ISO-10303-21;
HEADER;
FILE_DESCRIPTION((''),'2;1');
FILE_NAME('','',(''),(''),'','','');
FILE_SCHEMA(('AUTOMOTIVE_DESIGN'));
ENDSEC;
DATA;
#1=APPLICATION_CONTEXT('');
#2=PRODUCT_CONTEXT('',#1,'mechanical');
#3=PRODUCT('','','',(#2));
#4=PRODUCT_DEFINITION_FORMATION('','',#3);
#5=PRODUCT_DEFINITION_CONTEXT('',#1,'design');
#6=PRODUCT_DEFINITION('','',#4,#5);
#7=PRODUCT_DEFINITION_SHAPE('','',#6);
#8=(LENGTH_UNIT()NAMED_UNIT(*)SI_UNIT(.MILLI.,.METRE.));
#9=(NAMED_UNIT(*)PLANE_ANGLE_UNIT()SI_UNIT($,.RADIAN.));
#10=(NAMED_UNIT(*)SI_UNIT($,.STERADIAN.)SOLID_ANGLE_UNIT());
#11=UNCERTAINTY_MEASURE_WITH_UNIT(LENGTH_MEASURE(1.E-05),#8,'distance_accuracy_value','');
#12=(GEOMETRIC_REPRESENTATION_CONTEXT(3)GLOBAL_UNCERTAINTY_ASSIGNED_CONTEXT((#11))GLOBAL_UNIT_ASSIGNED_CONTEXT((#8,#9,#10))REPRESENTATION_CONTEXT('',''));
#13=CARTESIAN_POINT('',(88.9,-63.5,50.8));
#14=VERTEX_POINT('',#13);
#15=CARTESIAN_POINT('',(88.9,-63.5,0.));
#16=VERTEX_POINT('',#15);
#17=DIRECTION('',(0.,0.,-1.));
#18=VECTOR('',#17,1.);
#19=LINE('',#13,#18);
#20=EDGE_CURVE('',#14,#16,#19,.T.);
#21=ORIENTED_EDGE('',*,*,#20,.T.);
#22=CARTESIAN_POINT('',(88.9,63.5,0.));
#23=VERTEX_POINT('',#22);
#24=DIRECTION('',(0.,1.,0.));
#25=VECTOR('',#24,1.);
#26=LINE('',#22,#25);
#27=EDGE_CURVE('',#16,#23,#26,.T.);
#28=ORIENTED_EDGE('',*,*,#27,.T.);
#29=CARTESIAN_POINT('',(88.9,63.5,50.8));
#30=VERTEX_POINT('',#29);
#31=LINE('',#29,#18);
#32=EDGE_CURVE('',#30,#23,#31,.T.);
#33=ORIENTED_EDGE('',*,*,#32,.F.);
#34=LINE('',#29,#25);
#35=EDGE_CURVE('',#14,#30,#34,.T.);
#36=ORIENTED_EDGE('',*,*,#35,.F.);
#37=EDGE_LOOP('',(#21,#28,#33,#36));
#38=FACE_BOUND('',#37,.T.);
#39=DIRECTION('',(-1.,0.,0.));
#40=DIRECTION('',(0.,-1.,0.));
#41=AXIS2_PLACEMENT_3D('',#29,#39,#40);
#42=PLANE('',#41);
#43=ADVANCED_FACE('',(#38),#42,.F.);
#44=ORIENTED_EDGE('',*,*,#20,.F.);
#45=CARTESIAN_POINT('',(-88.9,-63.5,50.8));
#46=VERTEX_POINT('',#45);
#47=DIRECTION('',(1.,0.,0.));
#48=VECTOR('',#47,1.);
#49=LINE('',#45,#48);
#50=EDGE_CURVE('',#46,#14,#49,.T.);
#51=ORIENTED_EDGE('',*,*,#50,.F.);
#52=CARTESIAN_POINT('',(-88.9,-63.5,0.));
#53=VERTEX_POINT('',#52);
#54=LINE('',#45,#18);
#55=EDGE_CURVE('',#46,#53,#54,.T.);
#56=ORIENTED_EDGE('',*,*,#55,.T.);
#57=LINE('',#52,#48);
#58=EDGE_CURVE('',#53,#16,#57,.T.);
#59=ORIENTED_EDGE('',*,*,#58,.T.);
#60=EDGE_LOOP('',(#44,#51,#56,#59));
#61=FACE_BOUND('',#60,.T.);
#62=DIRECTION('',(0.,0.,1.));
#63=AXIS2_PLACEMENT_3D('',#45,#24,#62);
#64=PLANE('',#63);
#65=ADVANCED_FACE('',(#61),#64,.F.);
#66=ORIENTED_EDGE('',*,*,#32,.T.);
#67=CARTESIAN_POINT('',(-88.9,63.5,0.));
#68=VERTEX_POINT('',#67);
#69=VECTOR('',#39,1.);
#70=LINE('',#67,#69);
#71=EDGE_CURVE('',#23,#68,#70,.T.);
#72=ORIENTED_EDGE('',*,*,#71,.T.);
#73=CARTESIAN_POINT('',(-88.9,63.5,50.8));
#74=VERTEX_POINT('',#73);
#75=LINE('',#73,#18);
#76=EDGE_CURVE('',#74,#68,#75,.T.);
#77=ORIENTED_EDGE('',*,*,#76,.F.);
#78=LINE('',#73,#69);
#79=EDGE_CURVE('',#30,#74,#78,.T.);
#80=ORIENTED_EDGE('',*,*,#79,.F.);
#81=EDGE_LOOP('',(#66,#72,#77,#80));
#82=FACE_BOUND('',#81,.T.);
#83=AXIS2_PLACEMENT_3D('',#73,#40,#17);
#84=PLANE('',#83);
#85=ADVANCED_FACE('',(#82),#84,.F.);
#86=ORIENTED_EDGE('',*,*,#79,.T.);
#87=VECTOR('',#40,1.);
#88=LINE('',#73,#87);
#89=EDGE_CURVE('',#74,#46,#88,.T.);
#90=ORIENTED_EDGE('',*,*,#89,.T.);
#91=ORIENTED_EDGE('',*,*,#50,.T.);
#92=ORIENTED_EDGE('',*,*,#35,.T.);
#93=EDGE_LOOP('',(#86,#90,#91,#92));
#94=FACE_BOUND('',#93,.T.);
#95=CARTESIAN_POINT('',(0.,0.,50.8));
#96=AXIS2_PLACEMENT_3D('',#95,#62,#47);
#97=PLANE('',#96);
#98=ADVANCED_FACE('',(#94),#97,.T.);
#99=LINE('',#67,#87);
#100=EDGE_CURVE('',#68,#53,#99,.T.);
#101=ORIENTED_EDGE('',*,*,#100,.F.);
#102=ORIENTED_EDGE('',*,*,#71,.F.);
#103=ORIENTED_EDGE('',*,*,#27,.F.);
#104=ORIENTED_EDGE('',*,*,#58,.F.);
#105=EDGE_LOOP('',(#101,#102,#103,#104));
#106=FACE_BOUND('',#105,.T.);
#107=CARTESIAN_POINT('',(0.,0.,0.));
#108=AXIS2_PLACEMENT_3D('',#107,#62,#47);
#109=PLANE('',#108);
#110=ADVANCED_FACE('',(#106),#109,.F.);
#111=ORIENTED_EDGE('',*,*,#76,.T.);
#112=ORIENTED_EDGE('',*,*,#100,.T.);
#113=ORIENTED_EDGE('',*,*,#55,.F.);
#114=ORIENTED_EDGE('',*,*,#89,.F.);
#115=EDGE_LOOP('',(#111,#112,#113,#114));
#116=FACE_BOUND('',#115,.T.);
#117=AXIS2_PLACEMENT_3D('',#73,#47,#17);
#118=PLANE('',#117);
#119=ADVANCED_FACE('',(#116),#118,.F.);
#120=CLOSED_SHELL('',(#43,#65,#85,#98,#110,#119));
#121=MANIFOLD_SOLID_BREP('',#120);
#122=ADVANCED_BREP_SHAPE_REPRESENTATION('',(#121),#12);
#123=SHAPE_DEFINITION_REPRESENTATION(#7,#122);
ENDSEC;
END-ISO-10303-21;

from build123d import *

# Parameters (mm, degrees)
SKETCH1_W           = 177.8
SKETCH1_H           = 127
BOSS_EXTRUDE1_DEPTH = 50.8


with BuildPart() as part:
    # Sketch1 → Boss-Extrude1 (new body)
    with BuildSketch(Plane.XY):
        Rectangle(SKETCH1_W, SKETCH1_H)
    extrude(amount=BOSS_EXTRUDE1_DEPTH)


solid = part.part
